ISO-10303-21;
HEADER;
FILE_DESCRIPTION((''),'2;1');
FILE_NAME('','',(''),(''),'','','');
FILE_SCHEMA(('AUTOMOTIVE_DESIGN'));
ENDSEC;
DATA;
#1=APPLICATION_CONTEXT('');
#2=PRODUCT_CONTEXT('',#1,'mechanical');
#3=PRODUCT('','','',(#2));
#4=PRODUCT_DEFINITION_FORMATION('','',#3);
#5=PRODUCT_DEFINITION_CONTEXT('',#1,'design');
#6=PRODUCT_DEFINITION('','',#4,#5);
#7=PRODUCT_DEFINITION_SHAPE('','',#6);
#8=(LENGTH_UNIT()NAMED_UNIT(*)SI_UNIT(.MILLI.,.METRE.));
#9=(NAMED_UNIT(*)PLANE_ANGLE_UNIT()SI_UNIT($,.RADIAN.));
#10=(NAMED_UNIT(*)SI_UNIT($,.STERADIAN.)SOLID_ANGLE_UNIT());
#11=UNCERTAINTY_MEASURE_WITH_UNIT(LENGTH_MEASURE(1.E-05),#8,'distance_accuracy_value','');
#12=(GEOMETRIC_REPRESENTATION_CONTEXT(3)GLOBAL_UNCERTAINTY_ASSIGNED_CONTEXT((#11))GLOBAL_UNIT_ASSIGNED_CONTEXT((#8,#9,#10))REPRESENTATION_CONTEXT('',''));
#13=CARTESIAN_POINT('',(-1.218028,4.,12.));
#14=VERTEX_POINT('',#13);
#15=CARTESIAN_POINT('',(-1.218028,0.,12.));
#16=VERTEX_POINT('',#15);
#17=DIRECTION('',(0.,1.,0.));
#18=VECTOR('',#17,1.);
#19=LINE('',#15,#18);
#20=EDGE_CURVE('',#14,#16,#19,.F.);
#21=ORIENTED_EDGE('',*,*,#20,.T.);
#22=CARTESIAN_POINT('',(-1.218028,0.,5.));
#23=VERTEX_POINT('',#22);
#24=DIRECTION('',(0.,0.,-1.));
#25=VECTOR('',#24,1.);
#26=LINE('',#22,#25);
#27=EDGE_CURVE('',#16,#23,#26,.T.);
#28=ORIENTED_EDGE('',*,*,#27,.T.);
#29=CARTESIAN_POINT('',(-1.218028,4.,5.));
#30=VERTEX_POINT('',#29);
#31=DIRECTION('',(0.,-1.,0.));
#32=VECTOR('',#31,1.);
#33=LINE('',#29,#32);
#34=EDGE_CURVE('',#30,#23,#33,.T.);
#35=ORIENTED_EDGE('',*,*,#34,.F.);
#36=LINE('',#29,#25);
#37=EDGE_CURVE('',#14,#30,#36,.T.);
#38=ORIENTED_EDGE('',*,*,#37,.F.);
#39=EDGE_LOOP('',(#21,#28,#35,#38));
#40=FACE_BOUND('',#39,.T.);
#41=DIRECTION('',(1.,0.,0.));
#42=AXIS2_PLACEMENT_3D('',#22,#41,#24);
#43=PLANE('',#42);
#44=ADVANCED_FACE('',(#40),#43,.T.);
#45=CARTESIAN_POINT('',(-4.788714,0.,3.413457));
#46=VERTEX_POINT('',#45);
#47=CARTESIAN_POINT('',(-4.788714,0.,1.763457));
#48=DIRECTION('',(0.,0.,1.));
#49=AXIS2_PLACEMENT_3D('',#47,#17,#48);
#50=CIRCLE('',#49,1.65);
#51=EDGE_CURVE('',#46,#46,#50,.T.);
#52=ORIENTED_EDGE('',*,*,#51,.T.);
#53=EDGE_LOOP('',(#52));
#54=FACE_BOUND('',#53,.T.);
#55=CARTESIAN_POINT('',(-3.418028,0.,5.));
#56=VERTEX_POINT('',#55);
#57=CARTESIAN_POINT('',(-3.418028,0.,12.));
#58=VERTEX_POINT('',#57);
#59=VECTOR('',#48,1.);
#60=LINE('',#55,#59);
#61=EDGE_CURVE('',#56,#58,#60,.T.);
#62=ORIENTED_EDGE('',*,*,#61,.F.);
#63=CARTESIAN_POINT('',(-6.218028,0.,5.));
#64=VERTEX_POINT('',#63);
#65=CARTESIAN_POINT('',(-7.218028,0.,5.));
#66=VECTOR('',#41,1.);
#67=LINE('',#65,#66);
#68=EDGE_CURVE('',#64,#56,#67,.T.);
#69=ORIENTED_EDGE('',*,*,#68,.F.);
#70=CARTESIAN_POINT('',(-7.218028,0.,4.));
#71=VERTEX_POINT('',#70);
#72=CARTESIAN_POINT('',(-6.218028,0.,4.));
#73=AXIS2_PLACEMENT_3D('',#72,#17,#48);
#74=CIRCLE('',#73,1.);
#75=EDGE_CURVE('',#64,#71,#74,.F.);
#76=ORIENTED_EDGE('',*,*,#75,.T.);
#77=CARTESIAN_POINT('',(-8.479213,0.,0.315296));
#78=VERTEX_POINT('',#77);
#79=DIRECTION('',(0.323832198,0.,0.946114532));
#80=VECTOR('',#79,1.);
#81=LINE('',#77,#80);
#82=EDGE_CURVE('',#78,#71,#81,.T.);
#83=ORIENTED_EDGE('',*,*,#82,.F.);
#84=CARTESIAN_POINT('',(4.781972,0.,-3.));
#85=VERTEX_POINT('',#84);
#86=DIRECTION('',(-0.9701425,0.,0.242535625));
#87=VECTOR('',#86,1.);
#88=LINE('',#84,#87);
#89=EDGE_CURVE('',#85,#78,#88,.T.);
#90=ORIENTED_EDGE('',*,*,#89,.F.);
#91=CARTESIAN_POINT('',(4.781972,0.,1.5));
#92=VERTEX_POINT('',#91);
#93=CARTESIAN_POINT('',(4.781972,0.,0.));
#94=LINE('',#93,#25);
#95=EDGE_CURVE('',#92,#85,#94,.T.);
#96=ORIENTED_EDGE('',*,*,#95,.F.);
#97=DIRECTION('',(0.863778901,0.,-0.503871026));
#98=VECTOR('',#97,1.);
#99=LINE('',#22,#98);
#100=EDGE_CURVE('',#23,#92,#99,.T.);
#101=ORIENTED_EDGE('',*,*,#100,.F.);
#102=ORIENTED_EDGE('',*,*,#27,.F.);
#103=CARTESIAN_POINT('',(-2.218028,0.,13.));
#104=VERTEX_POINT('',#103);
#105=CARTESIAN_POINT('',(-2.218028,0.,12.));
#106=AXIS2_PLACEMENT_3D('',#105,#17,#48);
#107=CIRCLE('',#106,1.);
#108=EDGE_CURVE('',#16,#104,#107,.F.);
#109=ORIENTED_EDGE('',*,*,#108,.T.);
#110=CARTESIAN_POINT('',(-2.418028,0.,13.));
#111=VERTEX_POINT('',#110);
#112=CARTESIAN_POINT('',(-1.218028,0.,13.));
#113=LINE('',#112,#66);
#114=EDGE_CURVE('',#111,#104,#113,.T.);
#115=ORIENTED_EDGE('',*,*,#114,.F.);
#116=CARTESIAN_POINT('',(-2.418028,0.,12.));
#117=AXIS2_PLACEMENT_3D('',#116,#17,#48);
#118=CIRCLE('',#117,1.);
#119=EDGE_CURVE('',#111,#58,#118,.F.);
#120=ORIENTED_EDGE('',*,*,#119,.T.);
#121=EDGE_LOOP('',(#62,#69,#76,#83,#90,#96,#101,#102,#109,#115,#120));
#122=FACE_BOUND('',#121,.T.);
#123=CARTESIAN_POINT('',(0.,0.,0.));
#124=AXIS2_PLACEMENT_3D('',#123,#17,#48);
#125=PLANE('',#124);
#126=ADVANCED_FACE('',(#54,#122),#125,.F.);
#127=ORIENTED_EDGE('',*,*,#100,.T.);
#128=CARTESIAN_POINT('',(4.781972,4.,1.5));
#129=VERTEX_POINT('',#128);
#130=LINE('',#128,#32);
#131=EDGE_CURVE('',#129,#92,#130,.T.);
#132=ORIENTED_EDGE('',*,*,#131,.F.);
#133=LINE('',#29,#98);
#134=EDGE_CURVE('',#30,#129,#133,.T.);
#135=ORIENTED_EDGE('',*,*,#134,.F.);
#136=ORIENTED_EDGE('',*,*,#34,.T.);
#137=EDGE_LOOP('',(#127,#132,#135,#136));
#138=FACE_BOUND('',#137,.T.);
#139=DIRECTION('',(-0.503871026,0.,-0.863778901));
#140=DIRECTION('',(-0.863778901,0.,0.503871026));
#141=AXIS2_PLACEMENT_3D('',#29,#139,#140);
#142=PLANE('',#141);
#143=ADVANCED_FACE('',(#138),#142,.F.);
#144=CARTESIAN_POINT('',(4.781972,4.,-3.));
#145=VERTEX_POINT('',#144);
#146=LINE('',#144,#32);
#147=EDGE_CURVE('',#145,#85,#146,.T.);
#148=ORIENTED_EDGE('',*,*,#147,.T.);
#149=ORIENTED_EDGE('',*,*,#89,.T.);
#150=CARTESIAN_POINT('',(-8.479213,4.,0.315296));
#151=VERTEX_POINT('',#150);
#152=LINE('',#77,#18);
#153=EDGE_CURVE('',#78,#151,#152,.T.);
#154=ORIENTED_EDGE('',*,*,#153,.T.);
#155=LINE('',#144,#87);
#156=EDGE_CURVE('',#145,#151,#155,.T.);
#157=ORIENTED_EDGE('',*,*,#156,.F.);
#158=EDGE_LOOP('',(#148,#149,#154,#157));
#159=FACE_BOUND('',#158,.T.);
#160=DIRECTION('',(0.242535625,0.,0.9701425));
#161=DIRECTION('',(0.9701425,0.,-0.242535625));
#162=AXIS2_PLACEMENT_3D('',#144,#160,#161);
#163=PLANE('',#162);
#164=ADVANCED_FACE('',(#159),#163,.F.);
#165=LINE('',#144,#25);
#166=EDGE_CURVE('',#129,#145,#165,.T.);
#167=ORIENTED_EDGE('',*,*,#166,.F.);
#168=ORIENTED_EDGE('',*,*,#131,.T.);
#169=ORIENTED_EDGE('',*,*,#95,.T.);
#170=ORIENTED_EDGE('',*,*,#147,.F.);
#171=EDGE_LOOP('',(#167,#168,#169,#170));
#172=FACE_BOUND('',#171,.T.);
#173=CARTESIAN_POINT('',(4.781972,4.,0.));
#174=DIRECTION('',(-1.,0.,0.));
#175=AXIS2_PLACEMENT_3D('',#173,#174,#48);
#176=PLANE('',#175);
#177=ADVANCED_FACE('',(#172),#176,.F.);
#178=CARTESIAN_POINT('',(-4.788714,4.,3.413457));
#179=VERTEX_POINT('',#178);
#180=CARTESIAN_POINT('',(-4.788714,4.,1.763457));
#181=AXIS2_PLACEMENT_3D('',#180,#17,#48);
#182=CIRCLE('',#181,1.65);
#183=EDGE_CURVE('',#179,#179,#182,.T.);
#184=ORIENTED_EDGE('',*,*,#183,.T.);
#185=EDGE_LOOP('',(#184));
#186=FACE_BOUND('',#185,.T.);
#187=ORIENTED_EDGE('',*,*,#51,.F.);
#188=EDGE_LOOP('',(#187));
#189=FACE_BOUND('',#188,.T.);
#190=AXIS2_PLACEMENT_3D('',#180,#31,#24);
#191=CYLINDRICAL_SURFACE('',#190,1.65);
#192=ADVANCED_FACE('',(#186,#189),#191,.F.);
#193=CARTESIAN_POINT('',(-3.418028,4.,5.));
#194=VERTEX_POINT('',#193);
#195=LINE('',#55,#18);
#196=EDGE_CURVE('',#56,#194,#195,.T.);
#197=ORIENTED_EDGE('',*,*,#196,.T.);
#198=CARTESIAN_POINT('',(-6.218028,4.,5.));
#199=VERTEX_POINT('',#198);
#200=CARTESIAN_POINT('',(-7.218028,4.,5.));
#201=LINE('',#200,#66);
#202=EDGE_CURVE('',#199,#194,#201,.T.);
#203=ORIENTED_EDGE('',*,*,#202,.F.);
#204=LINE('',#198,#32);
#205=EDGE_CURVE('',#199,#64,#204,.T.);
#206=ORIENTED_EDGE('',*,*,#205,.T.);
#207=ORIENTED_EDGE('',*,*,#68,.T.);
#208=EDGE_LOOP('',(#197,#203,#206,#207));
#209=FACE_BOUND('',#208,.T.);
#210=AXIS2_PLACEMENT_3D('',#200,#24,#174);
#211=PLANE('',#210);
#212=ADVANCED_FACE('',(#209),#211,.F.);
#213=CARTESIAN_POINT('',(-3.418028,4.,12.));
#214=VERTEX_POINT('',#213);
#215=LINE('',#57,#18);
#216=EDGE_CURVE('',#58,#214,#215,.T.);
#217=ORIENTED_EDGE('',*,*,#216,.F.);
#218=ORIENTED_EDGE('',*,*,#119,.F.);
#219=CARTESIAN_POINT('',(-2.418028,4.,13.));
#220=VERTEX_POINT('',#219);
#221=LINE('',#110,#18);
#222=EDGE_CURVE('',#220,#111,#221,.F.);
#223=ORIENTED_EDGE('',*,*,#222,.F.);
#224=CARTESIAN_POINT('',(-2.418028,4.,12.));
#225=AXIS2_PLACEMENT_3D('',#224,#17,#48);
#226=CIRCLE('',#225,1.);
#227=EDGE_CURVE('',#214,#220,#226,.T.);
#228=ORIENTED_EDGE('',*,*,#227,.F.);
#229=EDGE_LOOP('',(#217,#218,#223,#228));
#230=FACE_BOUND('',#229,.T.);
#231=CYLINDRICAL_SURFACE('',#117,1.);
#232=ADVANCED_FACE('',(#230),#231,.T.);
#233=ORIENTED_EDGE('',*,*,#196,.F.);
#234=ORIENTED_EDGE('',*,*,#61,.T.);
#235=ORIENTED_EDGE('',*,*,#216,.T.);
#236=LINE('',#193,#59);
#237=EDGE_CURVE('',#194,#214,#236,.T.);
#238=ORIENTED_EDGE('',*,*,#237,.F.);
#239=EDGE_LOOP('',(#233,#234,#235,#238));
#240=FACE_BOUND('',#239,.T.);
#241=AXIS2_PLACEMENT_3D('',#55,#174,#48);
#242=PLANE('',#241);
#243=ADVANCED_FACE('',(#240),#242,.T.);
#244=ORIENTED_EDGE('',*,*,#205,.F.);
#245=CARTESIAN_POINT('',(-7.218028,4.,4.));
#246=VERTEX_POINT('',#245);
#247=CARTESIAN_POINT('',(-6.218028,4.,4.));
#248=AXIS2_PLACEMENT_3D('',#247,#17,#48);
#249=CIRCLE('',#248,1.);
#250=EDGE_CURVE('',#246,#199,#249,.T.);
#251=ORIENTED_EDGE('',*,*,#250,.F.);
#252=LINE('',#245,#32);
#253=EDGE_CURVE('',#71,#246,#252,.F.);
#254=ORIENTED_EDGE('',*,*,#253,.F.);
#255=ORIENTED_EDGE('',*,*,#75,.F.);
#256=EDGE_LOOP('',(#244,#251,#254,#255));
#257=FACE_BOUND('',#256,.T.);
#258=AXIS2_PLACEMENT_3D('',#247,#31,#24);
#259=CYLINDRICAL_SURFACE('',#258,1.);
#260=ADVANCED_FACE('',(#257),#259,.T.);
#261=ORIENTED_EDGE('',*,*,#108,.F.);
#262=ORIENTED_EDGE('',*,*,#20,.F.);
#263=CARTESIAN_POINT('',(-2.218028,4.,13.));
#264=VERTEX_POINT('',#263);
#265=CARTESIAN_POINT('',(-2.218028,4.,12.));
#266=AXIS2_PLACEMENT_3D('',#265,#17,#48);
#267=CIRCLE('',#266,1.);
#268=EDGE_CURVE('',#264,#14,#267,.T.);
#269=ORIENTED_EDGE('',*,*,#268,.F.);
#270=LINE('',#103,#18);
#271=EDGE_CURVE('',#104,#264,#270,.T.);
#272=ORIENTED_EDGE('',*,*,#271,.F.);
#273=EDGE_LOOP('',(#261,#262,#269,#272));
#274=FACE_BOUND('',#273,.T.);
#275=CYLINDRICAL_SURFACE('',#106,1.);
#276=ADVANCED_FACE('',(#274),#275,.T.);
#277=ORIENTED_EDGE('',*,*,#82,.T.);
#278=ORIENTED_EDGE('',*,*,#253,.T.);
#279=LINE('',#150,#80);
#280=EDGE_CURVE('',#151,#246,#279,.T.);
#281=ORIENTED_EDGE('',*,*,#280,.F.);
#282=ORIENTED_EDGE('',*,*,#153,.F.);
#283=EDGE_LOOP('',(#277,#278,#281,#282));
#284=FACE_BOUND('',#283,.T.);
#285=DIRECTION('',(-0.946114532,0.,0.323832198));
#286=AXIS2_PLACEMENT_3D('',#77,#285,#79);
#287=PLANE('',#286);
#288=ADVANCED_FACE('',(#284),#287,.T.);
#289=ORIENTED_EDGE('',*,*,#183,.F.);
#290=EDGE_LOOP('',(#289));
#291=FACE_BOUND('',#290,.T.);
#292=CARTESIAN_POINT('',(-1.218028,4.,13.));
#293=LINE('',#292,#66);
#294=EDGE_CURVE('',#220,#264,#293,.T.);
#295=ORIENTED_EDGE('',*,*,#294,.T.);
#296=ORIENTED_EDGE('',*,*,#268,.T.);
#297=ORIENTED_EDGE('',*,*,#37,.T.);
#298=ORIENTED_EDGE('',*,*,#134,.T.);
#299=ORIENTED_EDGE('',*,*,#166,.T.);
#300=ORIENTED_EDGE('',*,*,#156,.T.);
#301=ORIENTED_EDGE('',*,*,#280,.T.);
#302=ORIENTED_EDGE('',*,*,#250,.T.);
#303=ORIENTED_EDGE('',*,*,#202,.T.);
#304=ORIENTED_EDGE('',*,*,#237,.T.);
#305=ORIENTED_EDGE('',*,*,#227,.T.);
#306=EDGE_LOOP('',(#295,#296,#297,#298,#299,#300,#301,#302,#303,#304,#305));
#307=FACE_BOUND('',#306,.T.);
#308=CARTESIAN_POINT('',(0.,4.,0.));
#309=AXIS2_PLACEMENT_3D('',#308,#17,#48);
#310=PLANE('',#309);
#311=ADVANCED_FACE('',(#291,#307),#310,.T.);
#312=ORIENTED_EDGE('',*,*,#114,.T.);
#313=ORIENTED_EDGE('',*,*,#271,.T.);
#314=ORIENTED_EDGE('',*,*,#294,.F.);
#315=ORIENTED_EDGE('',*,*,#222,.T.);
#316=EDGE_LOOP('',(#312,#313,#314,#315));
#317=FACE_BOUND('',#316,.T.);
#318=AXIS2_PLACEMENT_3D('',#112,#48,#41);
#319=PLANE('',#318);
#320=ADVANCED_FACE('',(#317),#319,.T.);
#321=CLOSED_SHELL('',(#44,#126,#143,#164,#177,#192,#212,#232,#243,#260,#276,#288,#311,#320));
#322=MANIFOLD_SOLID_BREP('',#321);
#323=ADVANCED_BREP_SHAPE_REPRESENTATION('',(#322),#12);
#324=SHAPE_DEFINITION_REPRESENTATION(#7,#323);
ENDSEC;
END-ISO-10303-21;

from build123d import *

# Parameters (mm, degrees)
SKETCH1_R           = 1.65
BOSS_EXTRUDE1_DEPTH = 4
SKETCH2_W           = 2.2
SKETCH2_H           = 8
BOSS_EXTRUDE2_DEPTH = 4
FILLET1_R           = 1
FILLET2_R           = 1
BOSS_EXTRUDE3_DEPTH = 4


with BuildPart() as part:
    # Sketch1 → Boss-Extrude1 (new body)
    with BuildSketch(Plane(origin=(0, 0, 0), x_dir=(1, 0, 0), z_dir=(0, 1, 0))):
        Polygon((4.781972019, 3), (-7.218027981, 0), (-7.218027981, -5), (-1.218027981, -5), (4.781972019, -1.5), (4.781972019, 0), align=None)
        with Locations(Location((-4.78871413, -1.763457272, 0), (0, 0, 270))):
            Circle(SKETCH1_R, mode=Mode.SUBTRACT)
    extrude(amount=BOSS_EXTRUDE1_DEPTH)

    # Sketch2 → Boss-Extrude2 (add)
    with BuildSketch(Plane(origin=(0, 4, 0), x_dir=(1, 0, 0), z_dir=(0, 1, 0))):
        with Locations((-2.318027981, -9)):
            Rectangle(SKETCH2_W, SKETCH2_H)
    extrude(amount=-BOSS_EXTRUDE2_DEPTH)

    # Fillet1
    fillet1_edges = [part.edges().sort_by_distance(p)[0] for p in [
        (-1.218027981, 2, 13),
        (-3.418027981, 2, 13),
    ]]
    fillet(fillet1_edges, radius=FILLET1_R)

    # Fillet2
    fillet2_edges = [part.edges().sort_by_distance(p)[0] for p in [
        (-7.218027981, 2, 5),
    ]]
    fillet(fillet2_edges, radius=FILLET2_R)

    # Sketch3 → Boss-Extrude3 (add)
    with BuildSketch(Plane(origin=(0, 4, 0), x_dir=(1, 0, 0), z_dir=(0, 1, 0))):
        Polygon((-7.218027981, 0), (-8.479213231, -0.315296313), (-7.218027981, -4), align=None)
    extrude(amount=-BOSS_EXTRUDE3_DEPTH)


solid = part.part
